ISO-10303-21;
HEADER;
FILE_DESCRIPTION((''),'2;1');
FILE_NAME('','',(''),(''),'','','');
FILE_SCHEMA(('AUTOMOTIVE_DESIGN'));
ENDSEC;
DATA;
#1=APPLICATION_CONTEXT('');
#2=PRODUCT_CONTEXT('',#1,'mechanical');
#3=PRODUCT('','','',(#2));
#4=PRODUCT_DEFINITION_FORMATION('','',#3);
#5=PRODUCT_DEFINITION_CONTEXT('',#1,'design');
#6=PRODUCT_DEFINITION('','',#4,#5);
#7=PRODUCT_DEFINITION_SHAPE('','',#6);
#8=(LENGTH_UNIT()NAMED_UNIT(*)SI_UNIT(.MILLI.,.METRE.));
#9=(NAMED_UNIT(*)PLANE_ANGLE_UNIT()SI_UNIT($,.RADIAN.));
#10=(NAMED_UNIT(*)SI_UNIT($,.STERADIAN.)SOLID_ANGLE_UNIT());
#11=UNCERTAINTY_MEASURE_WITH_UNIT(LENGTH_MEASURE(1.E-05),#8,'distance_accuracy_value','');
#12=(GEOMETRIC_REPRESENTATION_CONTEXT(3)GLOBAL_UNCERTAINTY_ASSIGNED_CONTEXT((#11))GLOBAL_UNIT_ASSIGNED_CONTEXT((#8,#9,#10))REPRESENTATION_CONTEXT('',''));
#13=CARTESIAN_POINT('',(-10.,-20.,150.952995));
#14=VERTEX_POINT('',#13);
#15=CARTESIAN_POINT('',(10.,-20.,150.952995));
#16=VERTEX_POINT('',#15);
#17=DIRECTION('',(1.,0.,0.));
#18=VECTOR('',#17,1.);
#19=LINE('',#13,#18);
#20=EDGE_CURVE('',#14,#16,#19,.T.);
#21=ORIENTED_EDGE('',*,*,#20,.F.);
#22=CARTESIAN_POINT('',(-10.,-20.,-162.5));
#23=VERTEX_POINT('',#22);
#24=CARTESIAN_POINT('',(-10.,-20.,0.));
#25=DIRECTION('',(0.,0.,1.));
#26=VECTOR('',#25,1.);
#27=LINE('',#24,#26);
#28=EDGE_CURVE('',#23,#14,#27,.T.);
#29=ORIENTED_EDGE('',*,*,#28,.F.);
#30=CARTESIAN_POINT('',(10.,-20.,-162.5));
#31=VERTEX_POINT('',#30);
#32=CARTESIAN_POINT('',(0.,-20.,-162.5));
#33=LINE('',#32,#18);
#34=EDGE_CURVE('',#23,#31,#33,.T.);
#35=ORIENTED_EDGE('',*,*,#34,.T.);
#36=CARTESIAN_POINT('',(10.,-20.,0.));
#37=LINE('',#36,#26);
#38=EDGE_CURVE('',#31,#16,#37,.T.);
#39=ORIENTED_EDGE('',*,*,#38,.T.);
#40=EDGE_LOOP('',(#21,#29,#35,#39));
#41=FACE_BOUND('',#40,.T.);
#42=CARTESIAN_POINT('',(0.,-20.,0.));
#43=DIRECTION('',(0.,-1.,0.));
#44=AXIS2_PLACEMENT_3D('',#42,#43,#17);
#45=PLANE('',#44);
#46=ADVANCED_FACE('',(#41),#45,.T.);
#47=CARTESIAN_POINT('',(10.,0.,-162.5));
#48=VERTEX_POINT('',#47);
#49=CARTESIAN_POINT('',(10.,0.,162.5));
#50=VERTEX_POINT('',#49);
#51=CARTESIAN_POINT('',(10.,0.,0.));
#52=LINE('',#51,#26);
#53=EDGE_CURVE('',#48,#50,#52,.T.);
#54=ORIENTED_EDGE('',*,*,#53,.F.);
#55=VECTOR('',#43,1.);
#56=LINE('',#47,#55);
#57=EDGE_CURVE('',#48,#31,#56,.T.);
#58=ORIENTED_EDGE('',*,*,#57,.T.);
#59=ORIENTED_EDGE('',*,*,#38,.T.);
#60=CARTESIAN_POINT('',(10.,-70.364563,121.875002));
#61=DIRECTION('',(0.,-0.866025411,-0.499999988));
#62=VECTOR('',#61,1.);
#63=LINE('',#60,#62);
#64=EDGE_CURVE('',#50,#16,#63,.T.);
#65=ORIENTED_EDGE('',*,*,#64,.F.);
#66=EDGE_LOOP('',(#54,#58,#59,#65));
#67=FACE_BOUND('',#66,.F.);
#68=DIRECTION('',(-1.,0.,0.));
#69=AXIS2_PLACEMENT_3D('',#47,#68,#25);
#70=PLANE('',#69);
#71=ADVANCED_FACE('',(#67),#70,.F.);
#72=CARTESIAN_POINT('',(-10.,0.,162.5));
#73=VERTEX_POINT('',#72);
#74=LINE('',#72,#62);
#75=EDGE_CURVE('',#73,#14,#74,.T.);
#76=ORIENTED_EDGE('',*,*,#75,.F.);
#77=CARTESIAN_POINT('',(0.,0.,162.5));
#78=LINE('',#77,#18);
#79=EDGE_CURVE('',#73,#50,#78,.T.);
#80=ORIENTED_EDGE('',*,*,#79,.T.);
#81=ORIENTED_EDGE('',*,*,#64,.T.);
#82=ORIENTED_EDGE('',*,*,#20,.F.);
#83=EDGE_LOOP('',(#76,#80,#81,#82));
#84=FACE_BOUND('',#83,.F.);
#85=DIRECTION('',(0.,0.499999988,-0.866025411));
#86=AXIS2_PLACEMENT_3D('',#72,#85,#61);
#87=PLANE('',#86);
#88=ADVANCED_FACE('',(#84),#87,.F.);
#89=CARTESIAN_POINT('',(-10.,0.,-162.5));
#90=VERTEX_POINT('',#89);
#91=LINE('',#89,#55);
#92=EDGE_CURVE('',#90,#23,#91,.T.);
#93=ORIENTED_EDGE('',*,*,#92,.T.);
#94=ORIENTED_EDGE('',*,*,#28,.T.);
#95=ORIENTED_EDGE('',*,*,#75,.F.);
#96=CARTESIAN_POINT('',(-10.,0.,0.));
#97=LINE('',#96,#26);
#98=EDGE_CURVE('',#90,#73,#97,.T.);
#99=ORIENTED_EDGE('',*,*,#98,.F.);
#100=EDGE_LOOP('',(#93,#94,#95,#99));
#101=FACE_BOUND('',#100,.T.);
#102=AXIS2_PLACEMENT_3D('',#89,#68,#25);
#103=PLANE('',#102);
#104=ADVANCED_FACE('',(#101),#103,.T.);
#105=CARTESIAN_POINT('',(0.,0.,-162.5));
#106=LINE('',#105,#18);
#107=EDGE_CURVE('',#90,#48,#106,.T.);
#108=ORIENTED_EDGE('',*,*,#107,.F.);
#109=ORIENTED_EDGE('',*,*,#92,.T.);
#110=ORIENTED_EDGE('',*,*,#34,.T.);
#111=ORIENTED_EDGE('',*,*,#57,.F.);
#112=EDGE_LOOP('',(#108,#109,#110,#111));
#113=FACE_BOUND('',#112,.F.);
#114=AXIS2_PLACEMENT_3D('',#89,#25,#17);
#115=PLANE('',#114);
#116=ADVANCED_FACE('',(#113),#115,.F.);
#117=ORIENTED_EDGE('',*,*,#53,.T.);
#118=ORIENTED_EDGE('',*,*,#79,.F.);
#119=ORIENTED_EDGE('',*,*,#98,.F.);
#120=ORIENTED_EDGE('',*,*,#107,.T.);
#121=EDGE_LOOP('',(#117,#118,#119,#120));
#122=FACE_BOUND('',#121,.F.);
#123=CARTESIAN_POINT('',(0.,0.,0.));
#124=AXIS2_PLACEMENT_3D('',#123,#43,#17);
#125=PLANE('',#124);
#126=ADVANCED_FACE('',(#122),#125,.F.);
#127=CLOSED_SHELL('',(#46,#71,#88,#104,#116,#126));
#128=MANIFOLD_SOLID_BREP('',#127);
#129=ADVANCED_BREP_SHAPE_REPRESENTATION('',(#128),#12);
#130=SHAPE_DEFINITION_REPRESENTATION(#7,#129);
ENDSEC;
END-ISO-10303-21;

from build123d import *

# Parameters (mm, degrees)
F0_W     = 20
F0_H     = 325
F1_DEPTH = 20
F3_DEPTH = 20.001


with BuildPart() as f1:
    # F0 (on Front) → F1 (new body)
    with BuildSketch(Plane.XZ):
        Rectangle(F0_W, F0_H)
    extrude(amount=F1_DEPTH)

    # F2 (on face) → F3 (cut, through all)
    with BuildSketch(Plane(origin=(-10, 0, 0), x_dir=(0, -1, 0), z_dir=(-1, 0, 0))):
        Polygon((20, 162.5), (0, 162.5), (20, 150.952995), align=None)
    extrude(amount=-F3_DEPTH, mode=Mode.SUBTRACT)


solid = f1.part
